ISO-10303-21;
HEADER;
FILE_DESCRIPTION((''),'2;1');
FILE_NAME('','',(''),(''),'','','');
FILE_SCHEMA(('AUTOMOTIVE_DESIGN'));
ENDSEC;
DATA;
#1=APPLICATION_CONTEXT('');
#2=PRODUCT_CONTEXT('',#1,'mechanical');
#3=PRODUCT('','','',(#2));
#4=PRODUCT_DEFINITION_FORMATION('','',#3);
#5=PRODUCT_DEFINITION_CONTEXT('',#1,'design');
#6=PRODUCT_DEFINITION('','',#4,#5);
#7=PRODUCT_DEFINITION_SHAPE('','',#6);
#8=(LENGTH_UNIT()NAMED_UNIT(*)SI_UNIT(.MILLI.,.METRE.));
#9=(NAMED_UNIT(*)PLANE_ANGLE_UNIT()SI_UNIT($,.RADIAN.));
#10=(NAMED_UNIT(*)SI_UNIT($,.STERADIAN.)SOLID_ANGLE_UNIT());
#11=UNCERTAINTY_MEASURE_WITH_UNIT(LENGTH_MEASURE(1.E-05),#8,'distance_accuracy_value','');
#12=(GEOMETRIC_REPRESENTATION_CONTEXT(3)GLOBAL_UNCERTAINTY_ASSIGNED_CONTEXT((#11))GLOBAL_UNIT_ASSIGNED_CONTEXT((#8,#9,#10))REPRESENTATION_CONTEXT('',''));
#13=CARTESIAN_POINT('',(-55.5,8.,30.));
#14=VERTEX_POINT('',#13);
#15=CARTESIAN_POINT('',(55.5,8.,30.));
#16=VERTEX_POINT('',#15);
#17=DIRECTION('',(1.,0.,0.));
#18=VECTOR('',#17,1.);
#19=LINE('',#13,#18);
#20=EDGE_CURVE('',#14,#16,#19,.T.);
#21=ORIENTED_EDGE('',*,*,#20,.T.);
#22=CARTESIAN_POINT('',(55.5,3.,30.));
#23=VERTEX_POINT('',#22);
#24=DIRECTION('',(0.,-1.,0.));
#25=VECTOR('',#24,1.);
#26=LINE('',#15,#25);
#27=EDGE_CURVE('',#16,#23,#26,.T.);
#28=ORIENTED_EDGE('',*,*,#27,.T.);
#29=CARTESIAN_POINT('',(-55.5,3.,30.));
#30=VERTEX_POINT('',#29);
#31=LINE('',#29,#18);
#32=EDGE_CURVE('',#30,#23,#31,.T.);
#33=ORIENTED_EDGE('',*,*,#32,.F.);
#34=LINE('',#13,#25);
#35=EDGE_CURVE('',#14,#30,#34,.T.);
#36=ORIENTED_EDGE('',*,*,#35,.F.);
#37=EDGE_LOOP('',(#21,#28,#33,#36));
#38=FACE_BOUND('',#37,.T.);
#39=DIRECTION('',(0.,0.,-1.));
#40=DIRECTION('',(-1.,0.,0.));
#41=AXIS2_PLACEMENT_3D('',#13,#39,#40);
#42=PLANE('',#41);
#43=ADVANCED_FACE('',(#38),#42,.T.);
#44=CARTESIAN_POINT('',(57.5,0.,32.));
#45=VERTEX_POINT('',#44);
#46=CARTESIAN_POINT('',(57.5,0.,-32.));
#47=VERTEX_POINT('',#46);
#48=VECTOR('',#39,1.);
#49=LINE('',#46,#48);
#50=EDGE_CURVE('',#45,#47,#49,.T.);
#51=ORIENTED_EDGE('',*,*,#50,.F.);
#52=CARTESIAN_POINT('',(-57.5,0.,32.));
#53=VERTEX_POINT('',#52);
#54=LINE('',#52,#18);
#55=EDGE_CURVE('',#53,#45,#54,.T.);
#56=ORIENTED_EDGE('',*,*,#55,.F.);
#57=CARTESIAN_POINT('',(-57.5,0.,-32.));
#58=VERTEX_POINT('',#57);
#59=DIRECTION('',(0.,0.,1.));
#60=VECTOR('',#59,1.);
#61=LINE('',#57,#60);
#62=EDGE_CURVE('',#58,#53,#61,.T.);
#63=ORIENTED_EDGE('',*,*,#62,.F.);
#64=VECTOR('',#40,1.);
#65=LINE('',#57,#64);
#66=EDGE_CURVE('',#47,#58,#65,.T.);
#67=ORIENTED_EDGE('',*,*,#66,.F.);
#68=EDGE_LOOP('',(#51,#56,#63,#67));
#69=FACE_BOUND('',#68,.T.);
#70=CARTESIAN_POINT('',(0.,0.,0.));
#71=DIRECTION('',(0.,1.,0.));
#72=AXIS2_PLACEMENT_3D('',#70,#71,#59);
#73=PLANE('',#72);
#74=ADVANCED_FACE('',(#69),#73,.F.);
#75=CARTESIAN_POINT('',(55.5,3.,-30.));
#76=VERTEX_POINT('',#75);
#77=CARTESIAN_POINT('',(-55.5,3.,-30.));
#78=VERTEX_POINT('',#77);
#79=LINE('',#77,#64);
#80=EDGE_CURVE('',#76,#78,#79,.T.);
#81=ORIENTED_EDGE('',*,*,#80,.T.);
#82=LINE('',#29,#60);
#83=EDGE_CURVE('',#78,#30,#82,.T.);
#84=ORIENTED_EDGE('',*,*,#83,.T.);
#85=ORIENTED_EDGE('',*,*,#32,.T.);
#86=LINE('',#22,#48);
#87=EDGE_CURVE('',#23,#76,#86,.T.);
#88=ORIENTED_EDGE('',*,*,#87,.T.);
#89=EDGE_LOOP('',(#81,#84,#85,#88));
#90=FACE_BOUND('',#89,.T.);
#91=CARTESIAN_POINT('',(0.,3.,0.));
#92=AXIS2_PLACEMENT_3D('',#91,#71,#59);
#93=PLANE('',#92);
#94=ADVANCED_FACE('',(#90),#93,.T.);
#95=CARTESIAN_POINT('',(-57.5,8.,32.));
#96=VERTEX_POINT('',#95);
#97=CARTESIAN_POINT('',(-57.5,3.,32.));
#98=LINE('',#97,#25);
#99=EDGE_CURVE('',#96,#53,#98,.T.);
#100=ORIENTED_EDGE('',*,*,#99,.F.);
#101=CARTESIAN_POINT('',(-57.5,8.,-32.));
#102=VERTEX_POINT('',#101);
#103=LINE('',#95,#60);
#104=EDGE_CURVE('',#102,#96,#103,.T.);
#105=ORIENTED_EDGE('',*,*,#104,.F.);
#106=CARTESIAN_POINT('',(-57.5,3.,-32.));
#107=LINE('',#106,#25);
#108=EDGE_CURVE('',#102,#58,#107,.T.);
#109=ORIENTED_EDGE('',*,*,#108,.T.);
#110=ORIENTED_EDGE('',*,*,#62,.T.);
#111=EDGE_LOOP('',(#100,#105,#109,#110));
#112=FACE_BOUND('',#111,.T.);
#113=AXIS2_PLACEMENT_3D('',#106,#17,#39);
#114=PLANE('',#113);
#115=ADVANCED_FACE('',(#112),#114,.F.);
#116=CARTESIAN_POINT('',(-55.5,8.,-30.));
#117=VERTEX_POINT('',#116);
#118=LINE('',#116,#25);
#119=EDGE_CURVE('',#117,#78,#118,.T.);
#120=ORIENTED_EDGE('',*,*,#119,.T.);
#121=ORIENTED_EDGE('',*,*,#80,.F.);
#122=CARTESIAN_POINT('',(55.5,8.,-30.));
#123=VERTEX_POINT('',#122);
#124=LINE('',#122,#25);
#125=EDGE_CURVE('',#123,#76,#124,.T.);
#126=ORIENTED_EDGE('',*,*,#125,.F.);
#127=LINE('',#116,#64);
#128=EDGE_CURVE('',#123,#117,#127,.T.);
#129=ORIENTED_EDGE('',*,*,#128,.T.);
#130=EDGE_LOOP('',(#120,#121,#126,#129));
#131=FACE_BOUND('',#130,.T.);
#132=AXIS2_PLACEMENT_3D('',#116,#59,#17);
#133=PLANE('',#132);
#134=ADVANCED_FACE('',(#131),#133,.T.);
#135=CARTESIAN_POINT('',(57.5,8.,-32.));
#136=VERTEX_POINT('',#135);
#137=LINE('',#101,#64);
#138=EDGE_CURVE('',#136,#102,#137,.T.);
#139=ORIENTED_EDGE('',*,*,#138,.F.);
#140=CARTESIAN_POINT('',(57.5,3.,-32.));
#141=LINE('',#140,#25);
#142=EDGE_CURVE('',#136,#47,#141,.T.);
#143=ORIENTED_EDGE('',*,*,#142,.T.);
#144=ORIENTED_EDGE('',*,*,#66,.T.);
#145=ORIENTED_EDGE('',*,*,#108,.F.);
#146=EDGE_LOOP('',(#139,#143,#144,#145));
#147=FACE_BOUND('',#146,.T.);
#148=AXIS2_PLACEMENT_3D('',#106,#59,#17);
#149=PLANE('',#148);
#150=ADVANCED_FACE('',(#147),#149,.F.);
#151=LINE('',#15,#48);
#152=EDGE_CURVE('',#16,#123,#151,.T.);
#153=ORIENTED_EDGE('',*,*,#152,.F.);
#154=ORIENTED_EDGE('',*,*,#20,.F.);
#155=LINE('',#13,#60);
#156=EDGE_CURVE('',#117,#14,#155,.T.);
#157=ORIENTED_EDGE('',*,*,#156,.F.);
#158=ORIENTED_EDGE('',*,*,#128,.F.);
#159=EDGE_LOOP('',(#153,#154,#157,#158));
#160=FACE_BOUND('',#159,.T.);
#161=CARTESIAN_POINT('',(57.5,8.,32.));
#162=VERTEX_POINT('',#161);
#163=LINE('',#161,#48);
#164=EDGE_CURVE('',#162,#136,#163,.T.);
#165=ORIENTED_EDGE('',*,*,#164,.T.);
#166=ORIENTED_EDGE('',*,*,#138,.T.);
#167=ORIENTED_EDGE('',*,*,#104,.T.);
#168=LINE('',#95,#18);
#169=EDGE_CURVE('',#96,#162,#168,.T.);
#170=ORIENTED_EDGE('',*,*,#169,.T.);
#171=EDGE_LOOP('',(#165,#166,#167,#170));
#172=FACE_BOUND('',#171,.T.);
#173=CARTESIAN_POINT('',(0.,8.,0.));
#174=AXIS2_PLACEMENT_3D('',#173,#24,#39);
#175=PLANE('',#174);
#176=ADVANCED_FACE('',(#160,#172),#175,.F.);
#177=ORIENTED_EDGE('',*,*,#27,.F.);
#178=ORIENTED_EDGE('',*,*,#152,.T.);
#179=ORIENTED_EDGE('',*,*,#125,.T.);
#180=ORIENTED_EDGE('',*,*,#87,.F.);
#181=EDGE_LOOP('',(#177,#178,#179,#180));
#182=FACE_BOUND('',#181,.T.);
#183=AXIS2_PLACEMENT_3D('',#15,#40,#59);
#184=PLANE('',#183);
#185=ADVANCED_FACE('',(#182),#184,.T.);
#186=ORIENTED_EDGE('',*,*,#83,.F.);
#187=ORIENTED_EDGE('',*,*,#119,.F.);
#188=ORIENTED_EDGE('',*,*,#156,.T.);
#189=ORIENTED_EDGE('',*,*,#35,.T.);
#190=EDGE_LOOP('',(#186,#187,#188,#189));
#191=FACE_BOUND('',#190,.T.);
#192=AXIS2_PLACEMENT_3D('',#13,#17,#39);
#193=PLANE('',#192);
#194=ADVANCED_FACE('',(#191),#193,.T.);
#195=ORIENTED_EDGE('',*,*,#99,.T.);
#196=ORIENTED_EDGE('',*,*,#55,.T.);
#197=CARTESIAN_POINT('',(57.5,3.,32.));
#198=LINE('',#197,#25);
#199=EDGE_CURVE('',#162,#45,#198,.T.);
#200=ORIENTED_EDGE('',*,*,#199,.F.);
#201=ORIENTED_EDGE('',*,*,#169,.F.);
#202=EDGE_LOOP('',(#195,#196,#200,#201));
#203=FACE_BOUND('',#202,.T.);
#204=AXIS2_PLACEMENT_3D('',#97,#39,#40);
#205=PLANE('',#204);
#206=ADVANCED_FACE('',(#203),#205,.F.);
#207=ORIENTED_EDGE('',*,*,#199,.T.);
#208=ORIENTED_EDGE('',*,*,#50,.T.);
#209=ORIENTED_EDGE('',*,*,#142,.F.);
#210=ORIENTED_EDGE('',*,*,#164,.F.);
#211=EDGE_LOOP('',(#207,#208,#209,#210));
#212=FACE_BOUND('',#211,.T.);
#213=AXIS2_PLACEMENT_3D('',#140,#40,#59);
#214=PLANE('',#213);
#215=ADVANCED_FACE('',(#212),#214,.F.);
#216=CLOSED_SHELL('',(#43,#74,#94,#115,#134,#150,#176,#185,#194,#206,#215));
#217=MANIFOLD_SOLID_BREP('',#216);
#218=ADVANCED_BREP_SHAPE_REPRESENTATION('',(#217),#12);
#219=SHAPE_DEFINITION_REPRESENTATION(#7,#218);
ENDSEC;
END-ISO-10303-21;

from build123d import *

# Parameters (mm, degrees)
SKETCH1_W           = 115
SKETCH1_H           = 64
BOSS_EXTRUDE1_DEPTH = 3
SKETCH2_W           = 115
SKETCH2_H           = 64
SKETCH2_W_2         = 111
SKETCH2_H_2         = 60
BOSS_EXTRUDE3_DEPTH = 5


with BuildPart() as part:
    # Sketch1 → Boss-Extrude1 (new body)
    with BuildSketch(Plane(origin=(0, 0, 0), x_dir=(1, 0, 0), z_dir=(0, 1, 0))):
        Rectangle(SKETCH1_W, SKETCH1_H)
    extrude(amount=BOSS_EXTRUDE1_DEPTH)

    # Sketch2 → Boss-Extrude3 (add)
    with BuildSketch(Plane(origin=(0, 3, 0), x_dir=(1, 0, 0), z_dir=(0, 1, 0))):
        Rectangle(SKETCH2_W, SKETCH2_H)
        Rectangle(SKETCH2_W_2, SKETCH2_H_2, mode=Mode.SUBTRACT)
    extrude(amount=BOSS_EXTRUDE3_DEPTH)


solid = part.part
